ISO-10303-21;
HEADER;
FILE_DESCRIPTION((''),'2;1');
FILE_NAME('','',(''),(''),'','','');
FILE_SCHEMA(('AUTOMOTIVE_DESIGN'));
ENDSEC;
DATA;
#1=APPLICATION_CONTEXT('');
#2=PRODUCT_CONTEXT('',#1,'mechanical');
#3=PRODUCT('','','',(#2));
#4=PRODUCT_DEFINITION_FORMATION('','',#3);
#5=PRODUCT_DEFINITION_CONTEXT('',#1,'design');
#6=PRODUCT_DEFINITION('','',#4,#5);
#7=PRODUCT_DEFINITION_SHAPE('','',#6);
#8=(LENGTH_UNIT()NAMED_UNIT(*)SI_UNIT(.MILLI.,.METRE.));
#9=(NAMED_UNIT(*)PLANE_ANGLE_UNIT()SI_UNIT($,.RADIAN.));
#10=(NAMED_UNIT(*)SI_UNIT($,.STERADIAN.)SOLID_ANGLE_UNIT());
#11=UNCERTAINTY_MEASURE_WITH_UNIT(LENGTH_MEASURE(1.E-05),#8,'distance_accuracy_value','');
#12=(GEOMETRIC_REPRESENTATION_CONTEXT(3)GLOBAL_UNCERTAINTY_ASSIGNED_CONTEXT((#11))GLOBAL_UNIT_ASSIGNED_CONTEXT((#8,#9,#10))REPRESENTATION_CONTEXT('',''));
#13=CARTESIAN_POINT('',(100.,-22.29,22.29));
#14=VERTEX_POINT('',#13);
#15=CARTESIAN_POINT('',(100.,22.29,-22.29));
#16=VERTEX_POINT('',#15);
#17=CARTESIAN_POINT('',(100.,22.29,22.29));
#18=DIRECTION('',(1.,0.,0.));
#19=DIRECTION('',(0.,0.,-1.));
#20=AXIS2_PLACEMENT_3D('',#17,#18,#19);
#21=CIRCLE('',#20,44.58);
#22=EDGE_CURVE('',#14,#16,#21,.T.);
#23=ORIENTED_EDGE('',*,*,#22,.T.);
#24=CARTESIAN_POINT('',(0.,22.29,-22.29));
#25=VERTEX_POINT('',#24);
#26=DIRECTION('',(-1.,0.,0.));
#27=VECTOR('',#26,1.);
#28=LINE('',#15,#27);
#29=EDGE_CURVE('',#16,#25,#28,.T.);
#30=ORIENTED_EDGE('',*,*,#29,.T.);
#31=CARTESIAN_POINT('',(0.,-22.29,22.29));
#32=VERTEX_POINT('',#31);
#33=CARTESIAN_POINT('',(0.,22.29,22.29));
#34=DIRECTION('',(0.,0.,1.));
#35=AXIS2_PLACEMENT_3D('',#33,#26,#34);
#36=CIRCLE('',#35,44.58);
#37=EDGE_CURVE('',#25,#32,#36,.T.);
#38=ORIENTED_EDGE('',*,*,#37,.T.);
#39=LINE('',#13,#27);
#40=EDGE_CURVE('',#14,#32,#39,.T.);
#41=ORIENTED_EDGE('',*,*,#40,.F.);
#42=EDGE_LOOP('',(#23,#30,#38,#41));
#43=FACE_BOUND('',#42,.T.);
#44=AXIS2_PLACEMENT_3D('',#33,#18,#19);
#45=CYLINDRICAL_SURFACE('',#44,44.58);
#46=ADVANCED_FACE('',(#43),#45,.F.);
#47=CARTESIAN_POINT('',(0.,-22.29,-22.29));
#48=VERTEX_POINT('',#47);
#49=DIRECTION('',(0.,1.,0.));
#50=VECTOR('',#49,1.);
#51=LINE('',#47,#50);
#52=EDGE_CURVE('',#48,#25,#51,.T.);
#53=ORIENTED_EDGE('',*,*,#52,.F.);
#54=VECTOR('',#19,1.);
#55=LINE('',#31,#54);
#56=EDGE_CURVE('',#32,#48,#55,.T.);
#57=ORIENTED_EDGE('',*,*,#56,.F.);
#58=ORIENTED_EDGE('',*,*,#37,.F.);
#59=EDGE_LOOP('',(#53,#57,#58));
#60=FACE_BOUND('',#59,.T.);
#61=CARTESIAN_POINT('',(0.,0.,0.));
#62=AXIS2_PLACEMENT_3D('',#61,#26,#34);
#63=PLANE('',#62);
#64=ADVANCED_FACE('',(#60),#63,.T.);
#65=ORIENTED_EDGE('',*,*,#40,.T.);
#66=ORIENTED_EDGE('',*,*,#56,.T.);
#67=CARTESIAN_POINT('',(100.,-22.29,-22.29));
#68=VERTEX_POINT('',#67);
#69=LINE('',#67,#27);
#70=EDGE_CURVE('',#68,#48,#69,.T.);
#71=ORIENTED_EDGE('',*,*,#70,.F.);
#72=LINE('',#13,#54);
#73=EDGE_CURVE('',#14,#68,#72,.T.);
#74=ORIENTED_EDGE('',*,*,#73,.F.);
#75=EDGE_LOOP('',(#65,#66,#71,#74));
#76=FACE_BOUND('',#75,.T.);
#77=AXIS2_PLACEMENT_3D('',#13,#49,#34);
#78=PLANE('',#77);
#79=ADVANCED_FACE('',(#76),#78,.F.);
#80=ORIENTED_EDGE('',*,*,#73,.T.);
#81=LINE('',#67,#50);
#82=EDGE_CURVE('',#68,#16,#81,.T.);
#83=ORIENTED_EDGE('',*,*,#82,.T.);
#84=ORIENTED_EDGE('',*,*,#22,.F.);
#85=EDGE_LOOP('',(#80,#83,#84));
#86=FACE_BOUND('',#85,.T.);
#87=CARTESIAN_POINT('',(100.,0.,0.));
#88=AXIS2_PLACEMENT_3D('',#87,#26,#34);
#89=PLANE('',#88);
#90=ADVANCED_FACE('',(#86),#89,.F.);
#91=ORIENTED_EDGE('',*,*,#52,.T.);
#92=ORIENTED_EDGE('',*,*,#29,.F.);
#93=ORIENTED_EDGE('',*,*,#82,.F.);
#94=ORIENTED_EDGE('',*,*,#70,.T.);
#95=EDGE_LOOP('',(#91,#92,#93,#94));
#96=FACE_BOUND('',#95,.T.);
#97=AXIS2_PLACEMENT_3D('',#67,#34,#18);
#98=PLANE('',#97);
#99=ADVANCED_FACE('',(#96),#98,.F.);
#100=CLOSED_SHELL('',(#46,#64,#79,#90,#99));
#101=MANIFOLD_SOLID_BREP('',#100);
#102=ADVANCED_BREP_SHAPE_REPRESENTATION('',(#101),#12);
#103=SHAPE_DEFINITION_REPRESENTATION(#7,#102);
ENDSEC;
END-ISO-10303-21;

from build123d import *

# Parameters (mm, degrees)
SKETCH1_W           = 44.58
SKETCH1_H           = 44.58
BOSS_EXTRUDE1_DEPTH = 100
SKETCH2_R           = 44.58
CUT_EXTRUDE1_DEPTH  = 100


with BuildPart() as part:
    # Sketch1 → Boss-Extrude1 (new body)
    with BuildSketch(Plane(origin=(0, 0, 0), x_dir=(0, 0, -1), z_dir=(1, 0, 0))):
        Rectangle(SKETCH1_W, SKETCH1_H)
    extrude(amount=BOSS_EXTRUDE1_DEPTH)

    # Sketch2 → Cut-Extrude1 (cut)
    with BuildSketch(Plane(origin=(100, 0, 0), x_dir=(0, 0, -1), z_dir=(1, 0, 0))):
        with Locations((-22.29, 22.29)):
            Circle(SKETCH2_R)
    extrude(amount=-CUT_EXTRUDE1_DEPTH, mode=Mode.SUBTRACT)


solid = part.part
